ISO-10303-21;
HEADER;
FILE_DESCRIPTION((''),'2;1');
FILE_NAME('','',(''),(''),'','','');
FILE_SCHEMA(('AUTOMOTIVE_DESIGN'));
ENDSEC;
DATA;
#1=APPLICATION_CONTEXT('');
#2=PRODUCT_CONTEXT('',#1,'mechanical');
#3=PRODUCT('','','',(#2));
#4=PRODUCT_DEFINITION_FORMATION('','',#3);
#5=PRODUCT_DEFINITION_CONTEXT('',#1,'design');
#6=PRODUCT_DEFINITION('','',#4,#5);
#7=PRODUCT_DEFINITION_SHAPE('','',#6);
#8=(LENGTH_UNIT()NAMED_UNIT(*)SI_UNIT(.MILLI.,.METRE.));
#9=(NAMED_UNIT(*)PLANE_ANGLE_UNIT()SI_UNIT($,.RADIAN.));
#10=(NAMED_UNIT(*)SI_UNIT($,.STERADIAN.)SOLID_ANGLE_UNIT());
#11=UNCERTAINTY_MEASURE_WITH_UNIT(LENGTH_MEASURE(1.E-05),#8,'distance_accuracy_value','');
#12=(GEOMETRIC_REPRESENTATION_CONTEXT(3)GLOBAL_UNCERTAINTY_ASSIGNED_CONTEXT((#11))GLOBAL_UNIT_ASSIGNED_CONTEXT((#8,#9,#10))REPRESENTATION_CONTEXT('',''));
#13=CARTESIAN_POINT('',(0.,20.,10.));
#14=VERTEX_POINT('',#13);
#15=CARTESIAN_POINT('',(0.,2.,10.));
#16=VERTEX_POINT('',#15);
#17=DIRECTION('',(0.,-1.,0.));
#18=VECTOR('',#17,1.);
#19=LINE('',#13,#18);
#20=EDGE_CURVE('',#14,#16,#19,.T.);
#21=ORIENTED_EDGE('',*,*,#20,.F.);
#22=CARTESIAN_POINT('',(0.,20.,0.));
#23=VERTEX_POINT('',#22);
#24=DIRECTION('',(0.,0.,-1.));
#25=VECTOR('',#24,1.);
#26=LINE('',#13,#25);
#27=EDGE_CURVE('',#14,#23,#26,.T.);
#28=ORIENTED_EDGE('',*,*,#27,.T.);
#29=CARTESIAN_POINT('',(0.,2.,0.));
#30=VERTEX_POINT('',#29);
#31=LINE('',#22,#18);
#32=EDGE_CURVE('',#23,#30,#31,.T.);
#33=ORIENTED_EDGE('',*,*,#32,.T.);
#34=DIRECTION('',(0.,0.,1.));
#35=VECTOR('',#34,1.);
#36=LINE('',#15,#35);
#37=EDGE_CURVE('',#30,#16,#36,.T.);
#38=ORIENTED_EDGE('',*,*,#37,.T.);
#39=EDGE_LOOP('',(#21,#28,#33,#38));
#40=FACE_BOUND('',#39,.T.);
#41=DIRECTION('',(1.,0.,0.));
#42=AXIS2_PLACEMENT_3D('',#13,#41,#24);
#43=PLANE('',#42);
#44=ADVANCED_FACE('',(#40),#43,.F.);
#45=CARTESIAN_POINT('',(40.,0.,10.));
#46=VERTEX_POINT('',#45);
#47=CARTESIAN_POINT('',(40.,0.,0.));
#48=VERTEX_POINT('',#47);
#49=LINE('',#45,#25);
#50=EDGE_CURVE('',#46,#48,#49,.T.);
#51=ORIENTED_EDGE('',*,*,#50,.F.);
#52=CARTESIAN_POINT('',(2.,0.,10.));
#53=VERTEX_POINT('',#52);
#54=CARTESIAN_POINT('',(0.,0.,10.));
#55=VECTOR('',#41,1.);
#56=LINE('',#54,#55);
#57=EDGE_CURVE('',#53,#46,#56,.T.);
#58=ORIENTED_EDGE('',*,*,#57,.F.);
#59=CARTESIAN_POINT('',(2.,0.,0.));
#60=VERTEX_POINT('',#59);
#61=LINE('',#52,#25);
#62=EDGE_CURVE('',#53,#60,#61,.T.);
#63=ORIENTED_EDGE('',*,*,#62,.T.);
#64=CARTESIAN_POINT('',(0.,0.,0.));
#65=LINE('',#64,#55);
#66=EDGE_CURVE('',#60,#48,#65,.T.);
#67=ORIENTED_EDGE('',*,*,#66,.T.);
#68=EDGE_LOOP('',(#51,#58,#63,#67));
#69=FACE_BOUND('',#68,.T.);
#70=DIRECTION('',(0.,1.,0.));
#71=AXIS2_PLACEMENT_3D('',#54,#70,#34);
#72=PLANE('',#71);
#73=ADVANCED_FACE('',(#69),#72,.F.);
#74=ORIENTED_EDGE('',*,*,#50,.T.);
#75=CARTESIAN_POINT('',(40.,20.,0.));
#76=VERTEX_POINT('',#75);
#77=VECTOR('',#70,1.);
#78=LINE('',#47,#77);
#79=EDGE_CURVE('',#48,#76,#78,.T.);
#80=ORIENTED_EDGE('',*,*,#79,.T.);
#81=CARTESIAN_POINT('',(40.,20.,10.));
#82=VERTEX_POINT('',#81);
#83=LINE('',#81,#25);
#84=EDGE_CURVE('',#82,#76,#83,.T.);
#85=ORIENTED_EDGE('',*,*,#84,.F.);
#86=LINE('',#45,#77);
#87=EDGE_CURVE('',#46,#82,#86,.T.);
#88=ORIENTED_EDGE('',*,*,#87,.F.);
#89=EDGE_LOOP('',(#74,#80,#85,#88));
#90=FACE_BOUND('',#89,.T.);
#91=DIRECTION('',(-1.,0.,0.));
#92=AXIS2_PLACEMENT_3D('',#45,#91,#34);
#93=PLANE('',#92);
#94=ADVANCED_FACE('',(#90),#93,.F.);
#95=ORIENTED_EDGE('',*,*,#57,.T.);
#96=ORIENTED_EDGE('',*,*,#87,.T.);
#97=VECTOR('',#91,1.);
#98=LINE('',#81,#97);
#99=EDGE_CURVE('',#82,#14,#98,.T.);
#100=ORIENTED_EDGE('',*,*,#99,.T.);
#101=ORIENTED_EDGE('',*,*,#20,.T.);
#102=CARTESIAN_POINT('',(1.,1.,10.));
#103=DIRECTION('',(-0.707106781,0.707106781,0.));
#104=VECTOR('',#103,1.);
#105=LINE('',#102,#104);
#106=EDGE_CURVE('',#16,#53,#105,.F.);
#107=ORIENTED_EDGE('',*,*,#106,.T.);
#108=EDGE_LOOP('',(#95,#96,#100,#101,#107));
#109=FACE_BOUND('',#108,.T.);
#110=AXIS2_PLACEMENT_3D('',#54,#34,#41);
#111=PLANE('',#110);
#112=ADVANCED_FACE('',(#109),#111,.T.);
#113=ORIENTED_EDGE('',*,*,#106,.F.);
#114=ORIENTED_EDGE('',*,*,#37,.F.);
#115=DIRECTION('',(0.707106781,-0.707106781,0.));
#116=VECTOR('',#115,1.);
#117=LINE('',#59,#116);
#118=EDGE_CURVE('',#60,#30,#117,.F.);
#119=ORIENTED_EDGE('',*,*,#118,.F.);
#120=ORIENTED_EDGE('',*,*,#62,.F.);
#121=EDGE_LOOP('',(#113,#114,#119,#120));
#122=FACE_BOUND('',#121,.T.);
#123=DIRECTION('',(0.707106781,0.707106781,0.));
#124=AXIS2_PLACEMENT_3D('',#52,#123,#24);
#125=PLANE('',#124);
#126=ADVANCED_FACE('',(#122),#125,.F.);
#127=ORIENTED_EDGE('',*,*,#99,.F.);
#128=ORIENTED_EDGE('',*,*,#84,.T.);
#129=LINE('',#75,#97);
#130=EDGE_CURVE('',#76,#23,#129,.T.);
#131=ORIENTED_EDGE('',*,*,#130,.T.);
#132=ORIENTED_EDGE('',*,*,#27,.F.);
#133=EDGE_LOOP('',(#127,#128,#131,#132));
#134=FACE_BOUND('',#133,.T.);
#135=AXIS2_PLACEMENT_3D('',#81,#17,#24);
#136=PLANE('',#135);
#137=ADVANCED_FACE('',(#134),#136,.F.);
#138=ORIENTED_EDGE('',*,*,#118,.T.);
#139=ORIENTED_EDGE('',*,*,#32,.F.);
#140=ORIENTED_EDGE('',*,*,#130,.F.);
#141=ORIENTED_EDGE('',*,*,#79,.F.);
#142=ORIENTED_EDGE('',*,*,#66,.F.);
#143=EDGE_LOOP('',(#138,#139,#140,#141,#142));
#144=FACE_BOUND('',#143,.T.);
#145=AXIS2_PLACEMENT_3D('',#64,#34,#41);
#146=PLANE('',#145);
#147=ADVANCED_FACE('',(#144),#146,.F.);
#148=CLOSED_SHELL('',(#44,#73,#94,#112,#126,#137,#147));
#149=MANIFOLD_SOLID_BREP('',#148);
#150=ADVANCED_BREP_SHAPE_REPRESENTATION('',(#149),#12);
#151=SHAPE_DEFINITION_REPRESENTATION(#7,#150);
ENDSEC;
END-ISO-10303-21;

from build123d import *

# Parameters (mm, degrees)
SKETCH1_W           = 40
SKETCH1_H           = 20
BOSS_EXTRUDE1_DEPTH = 10
CHAMFER1_SIZE       = 2


with BuildPart() as part:
    # Sketch1 → Boss-Extrude1 (new body)
    with BuildSketch(Plane.XY):
        with Locations((20, 10)):
            Rectangle(SKETCH1_W, SKETCH1_H)
    extrude(amount=BOSS_EXTRUDE1_DEPTH)

    # Chamfer1
    chamfer1_edges = [part.edges().sort_by_distance(p)[0] for p in [
        (0, 0, 5),
    ]]
    chamfer(chamfer1_edges, length=CHAMFER1_SIZE)


solid = part.part
